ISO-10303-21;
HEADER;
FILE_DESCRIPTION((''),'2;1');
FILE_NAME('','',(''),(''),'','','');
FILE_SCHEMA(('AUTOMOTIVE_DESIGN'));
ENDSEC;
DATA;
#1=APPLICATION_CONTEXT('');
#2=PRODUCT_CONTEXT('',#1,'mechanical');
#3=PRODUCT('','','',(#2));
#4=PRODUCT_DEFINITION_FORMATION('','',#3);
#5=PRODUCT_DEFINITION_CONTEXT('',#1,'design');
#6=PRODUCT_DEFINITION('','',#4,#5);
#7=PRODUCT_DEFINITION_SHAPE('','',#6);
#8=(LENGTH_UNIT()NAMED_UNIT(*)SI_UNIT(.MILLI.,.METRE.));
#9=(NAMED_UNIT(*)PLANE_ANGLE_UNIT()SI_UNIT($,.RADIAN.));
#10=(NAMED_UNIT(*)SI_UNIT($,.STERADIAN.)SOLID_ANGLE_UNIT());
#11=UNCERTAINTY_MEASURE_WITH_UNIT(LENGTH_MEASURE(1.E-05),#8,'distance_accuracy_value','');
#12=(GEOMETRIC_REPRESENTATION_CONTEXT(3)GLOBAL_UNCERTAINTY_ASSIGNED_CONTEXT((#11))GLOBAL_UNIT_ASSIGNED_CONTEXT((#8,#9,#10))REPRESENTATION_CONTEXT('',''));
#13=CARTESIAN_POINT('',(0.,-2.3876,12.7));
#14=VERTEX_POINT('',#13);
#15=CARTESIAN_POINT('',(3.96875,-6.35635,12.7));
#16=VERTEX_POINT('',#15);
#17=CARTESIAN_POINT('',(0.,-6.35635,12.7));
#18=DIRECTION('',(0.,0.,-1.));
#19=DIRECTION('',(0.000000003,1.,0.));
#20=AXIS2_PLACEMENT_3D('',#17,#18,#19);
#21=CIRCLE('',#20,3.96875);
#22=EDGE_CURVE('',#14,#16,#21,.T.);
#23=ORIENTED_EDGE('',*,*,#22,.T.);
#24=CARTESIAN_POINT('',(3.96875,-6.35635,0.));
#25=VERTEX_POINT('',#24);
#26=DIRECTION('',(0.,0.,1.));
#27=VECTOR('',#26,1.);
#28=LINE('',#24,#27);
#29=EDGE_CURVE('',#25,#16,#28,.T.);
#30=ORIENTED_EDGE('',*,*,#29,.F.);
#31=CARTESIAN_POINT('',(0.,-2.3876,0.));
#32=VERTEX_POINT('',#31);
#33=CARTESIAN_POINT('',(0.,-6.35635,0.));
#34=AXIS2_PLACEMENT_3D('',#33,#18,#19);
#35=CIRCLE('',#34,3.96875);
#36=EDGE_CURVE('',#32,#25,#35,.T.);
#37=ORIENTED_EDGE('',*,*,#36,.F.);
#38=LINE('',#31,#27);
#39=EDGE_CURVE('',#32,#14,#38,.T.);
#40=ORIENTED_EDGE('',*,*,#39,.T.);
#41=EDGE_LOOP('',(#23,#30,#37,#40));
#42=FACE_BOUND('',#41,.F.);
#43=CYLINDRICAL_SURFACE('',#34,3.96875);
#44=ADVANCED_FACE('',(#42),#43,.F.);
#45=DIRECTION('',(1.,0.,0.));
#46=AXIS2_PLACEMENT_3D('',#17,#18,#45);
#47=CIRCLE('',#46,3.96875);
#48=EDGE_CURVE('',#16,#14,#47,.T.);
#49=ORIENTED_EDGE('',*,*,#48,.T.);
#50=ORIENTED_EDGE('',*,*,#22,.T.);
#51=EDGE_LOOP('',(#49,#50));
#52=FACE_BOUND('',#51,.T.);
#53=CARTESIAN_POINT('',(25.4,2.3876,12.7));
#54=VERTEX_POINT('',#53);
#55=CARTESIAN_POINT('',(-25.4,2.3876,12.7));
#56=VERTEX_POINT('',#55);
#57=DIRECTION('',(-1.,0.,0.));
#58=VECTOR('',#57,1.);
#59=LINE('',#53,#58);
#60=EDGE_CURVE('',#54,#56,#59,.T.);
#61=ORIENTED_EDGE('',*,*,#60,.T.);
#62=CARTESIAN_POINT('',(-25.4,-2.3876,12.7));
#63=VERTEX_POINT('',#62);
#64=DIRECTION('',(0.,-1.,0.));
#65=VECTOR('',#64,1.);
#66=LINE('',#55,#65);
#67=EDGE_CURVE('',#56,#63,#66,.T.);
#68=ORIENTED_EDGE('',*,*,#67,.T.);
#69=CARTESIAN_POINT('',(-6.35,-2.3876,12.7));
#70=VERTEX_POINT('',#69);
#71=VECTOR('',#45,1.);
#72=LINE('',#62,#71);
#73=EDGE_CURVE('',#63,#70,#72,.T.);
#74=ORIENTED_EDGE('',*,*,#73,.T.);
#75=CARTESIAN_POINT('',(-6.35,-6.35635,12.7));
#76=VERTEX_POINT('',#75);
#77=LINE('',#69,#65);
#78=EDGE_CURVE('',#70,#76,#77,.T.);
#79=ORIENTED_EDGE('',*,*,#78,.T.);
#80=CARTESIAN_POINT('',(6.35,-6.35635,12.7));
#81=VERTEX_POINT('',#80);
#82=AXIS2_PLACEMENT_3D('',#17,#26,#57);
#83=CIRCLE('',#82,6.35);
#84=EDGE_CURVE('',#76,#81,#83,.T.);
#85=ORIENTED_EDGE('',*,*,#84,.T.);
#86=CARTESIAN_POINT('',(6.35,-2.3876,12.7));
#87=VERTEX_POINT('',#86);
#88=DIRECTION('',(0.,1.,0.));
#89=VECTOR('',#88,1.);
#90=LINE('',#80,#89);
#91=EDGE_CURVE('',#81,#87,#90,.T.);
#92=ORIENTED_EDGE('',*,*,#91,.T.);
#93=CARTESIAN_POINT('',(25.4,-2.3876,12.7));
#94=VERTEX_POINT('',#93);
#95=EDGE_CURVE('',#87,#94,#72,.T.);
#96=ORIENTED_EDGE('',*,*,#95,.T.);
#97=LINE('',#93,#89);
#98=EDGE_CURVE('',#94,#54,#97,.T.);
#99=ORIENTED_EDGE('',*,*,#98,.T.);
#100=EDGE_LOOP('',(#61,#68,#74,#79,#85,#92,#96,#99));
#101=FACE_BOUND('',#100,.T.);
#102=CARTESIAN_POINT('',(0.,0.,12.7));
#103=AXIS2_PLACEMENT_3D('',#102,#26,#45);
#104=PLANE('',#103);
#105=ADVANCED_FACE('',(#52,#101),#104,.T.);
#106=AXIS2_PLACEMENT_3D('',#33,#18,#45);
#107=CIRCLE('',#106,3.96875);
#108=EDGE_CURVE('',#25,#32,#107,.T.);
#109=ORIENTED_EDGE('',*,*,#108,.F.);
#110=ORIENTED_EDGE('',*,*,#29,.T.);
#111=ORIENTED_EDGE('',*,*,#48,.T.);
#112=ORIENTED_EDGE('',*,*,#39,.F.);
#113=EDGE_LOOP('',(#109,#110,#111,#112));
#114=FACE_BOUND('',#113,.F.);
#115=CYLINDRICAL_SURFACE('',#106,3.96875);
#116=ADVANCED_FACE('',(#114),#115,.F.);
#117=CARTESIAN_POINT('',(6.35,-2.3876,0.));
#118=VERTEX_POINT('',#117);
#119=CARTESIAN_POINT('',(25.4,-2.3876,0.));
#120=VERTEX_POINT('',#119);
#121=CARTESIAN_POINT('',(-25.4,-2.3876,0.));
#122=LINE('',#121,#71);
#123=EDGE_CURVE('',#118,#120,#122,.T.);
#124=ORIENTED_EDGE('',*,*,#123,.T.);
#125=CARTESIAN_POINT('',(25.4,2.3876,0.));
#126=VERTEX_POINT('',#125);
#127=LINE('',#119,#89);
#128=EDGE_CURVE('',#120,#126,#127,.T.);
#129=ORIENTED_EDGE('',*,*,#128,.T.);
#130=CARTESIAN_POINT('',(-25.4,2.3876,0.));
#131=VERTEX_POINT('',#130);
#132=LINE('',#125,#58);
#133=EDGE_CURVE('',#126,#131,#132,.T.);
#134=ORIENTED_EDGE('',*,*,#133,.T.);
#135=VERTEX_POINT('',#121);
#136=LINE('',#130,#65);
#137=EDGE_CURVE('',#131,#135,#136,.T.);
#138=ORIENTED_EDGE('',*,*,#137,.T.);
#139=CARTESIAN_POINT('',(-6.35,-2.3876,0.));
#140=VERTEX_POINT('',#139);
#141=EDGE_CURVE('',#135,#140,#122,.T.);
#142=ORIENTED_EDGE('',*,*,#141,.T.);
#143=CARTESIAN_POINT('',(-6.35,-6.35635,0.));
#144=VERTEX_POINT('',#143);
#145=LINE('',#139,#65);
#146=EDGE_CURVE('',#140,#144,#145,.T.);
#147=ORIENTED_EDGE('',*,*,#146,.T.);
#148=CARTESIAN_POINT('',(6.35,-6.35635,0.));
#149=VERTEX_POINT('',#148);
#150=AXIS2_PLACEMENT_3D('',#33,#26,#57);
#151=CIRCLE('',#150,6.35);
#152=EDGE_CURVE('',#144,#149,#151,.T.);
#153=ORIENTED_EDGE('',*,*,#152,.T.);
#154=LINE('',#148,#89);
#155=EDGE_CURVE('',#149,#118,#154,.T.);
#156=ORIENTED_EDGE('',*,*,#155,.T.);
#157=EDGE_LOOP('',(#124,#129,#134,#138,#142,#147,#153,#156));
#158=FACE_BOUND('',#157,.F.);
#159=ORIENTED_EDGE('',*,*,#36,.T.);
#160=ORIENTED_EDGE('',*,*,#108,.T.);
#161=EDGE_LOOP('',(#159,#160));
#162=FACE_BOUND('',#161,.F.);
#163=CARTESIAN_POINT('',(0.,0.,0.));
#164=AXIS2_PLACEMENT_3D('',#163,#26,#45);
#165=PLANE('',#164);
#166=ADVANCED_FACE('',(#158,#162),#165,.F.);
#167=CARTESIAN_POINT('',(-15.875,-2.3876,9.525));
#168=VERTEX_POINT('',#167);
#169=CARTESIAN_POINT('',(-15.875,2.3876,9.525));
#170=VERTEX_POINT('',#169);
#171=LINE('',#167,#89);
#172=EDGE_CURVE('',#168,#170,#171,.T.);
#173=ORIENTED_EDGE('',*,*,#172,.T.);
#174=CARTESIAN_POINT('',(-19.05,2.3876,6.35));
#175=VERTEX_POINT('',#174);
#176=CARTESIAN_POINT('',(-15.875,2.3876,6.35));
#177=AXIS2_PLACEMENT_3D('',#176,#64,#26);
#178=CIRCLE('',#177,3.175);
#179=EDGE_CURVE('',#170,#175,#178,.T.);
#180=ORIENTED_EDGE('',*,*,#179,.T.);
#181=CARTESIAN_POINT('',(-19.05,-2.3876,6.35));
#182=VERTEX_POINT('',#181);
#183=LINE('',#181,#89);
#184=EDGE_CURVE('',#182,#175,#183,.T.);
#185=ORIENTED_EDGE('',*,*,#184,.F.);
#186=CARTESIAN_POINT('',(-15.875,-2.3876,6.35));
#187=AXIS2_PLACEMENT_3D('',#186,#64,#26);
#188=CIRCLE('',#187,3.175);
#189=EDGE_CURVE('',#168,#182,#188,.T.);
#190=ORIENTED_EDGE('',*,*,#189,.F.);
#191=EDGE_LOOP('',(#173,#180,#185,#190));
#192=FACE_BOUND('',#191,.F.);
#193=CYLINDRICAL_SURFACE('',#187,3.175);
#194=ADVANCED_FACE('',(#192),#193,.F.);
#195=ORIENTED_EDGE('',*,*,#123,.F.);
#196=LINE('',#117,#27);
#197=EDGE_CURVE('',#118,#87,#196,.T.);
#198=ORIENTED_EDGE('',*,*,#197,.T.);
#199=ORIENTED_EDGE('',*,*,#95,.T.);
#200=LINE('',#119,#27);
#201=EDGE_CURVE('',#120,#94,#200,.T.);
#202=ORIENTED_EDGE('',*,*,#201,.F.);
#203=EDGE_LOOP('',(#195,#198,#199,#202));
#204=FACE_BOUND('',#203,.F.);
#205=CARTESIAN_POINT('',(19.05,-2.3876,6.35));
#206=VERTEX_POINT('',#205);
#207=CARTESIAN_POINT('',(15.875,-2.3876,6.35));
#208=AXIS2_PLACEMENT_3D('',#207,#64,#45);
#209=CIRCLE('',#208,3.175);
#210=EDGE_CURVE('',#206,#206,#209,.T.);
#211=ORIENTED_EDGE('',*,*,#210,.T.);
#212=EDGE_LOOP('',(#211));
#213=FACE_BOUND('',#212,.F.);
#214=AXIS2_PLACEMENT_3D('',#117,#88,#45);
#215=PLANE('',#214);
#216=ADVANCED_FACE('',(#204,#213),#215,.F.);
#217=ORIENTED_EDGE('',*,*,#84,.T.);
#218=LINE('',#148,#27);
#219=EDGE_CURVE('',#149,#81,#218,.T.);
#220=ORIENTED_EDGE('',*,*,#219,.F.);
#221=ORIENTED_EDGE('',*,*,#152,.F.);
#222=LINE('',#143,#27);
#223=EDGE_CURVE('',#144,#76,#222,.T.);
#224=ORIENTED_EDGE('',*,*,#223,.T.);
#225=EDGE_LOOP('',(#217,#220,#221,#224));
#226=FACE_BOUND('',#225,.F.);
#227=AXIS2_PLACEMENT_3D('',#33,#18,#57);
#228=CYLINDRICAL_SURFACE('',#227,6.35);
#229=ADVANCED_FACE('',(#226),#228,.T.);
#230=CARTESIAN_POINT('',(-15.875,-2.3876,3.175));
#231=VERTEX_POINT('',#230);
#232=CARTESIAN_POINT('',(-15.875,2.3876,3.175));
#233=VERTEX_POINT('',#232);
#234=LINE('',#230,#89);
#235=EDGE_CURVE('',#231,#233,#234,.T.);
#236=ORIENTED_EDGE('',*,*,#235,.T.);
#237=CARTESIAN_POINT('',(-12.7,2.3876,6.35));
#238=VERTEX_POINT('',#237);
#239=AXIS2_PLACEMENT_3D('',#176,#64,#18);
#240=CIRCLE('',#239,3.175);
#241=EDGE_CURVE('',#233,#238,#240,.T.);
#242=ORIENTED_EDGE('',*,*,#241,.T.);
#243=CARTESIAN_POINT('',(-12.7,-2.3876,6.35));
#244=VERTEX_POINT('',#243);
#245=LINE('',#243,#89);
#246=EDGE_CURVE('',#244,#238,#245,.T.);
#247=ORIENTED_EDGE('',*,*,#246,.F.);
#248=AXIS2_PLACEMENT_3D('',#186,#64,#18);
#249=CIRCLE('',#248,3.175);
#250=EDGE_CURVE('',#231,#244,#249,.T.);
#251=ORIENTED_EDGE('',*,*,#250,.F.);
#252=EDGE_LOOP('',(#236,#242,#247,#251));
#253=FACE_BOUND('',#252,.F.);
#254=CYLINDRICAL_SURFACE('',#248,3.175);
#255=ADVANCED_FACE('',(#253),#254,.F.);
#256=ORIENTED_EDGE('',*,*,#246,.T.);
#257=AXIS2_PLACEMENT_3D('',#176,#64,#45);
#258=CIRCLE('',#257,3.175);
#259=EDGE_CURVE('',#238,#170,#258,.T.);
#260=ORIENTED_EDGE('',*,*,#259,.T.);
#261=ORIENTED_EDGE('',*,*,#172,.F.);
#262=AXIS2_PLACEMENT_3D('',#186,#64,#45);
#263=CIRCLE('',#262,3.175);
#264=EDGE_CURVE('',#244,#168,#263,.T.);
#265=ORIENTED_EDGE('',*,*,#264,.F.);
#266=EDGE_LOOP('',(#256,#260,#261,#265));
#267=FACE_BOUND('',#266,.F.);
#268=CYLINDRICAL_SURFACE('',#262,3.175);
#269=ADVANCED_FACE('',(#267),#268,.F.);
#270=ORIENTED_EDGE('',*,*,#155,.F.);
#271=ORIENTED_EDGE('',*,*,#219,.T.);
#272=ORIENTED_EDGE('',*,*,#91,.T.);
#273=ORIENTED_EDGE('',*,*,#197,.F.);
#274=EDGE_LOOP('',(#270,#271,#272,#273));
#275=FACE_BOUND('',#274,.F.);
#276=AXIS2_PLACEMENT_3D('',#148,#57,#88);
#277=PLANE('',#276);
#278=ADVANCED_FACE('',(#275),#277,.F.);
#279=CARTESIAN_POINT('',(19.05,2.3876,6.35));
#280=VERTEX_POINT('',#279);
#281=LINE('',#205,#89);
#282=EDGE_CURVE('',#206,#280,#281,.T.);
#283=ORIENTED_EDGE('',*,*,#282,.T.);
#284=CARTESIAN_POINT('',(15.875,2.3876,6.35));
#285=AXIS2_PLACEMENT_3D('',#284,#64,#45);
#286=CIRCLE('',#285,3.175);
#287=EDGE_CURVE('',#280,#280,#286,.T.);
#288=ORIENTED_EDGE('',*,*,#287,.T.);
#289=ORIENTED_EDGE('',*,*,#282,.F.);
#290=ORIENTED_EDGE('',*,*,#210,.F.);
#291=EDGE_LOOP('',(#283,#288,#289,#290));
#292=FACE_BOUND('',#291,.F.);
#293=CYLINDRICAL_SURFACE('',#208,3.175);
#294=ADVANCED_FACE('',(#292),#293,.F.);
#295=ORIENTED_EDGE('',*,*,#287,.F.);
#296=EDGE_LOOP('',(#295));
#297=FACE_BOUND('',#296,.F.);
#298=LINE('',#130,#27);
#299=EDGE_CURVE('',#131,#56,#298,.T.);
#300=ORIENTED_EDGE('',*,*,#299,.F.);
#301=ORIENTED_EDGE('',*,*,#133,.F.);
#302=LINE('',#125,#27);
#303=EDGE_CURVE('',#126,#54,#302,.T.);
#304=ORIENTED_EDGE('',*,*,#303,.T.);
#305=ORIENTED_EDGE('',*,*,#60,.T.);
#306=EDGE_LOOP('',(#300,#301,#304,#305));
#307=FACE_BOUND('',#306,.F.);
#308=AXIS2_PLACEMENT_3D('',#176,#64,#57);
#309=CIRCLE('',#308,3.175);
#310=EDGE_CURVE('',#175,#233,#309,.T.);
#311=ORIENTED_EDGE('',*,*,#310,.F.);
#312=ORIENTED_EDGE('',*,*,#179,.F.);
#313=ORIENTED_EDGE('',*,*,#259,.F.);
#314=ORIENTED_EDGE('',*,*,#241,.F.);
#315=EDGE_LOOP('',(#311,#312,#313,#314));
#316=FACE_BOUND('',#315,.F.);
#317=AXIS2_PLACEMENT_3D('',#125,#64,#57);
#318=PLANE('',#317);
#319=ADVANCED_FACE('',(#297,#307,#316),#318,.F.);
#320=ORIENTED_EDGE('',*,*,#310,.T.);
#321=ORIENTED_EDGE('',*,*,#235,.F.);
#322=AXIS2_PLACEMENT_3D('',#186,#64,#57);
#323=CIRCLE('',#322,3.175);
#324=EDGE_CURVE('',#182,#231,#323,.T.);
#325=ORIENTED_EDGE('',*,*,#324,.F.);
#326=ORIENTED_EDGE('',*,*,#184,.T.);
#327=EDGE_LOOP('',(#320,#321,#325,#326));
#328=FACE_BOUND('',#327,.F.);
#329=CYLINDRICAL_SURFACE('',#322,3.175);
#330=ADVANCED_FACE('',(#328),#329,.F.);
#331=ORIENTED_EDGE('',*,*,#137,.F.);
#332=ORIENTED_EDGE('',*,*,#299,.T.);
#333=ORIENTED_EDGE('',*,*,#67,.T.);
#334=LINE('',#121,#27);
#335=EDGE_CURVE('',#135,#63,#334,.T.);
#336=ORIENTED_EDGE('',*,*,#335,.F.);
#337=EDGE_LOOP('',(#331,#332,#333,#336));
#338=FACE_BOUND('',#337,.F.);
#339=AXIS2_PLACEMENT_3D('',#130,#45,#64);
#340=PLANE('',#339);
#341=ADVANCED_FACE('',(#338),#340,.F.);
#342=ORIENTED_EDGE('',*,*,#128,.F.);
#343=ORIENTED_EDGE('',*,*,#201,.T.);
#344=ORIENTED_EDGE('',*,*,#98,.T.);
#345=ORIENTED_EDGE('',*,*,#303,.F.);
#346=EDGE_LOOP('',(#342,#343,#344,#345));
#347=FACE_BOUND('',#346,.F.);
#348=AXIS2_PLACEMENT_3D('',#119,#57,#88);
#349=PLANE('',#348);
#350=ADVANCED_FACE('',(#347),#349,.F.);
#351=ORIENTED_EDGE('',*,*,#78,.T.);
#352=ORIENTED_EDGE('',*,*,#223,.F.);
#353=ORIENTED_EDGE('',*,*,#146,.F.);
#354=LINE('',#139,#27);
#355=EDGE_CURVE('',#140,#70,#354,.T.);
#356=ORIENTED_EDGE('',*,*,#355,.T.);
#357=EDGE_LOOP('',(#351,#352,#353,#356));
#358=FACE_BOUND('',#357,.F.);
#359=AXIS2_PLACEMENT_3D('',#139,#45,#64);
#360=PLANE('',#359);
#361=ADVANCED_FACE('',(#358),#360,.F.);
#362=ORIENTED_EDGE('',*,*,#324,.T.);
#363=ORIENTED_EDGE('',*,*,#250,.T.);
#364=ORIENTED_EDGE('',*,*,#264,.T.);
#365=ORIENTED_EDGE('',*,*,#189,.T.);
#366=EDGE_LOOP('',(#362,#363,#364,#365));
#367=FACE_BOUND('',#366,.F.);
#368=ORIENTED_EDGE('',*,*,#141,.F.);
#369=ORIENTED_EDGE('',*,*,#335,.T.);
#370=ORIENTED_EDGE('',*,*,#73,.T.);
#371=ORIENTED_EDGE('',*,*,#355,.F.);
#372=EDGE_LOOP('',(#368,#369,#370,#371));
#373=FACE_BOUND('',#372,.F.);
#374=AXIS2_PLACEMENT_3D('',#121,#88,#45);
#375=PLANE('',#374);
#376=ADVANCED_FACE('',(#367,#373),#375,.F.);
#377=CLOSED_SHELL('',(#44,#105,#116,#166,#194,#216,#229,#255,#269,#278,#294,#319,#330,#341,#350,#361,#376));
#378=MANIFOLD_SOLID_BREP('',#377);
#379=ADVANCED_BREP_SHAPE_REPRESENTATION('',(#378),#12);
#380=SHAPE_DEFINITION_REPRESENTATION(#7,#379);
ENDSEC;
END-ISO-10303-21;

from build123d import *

# Parameters (mm, degrees)
F1_DEPTH = 12.7
F2_R     = 3.175
F3_DEPTH = 4.7752


with BuildPart() as f1:
    # F0 (on Top) → F1 (new body)
    with BuildSketch(Plane.XY):
        Polygon((-25.4, 2.3876), (-25.4, -2.3876), (-6.35, -2.3876), (1.16e-08, -2.3876), (6.35, -2.3876), (25.4, -2.3876), (25.4, 2.3876), align=None)
        with BuildLine():
            Line((1.16e-08, -2.3876), (-6.35, -2.3876))
            Line((-6.35, -2.3876), (-6.35, -6.35635))
            ThreePointArc((-6.35, -6.35635), (0, -12.70635), (6.35, -6.35635))
            Line((6.35, -6.35635), (6.35, -2.3876))
            Line((6.35, -2.3876), (1.16e-08, -2.3876))
        make_face()
        with BuildLine():
            ThreePointArc((3.96875, -6.35635), (-2.8063300419, -9.1626800337), (1.16e-08, -2.3876))
            ThreePointArc((1.16e-08, -2.3876), (2.8063300419, -3.5500199663), (3.96875, -6.35635))
        make_face(mode=Mode.SUBTRACT)
    extrude(amount=F1_DEPTH)

    # F2 (on face) → F3 (cut, through all)
    with BuildSketch(Plane.XZ.offset(2.3876)):
        with BuildLine():
            Line((-15.875, 6.35), (-12.7, 6.35))
            ThreePointArc((-12.7, 6.35), (-13.6299359697, 8.5950640303), (-15.875, 9.525))
            Line((-15.875, 9.525), (-15.875, 6.35))
        make_face()
        with BuildLine():
            ThreePointArc((-15.875, 3.175), (-13.6299359697, 4.1049359697), (-12.7, 6.35))
            Line((-12.7, 6.35), (-15.875, 6.35))
            Line((-15.875, 6.35), (-15.875, 3.175))
        make_face()
        with BuildLine():
            Line((-15.875, 6.35), (-15.875, 9.525))
            ThreePointArc((-15.875, 9.525), (-18.1200640303, 8.5950640303), (-19.05, 6.35))
            Line((-19.05, 6.35), (-15.875, 6.35))
        make_face()
        with BuildLine():
            ThreePointArc((-19.05, 6.35), (-18.1200640303, 4.1049359697), (-15.875, 3.175))
            Line((-15.875, 3.175), (-15.875, 6.35))
            Line((-15.875, 6.35), (-19.05, 6.35))
        make_face()
        with Locations((15.875, 6.35)):
            Circle(F2_R)
    extrude(amount=-F3_DEPTH, mode=Mode.SUBTRACT)


solid = f1.part
